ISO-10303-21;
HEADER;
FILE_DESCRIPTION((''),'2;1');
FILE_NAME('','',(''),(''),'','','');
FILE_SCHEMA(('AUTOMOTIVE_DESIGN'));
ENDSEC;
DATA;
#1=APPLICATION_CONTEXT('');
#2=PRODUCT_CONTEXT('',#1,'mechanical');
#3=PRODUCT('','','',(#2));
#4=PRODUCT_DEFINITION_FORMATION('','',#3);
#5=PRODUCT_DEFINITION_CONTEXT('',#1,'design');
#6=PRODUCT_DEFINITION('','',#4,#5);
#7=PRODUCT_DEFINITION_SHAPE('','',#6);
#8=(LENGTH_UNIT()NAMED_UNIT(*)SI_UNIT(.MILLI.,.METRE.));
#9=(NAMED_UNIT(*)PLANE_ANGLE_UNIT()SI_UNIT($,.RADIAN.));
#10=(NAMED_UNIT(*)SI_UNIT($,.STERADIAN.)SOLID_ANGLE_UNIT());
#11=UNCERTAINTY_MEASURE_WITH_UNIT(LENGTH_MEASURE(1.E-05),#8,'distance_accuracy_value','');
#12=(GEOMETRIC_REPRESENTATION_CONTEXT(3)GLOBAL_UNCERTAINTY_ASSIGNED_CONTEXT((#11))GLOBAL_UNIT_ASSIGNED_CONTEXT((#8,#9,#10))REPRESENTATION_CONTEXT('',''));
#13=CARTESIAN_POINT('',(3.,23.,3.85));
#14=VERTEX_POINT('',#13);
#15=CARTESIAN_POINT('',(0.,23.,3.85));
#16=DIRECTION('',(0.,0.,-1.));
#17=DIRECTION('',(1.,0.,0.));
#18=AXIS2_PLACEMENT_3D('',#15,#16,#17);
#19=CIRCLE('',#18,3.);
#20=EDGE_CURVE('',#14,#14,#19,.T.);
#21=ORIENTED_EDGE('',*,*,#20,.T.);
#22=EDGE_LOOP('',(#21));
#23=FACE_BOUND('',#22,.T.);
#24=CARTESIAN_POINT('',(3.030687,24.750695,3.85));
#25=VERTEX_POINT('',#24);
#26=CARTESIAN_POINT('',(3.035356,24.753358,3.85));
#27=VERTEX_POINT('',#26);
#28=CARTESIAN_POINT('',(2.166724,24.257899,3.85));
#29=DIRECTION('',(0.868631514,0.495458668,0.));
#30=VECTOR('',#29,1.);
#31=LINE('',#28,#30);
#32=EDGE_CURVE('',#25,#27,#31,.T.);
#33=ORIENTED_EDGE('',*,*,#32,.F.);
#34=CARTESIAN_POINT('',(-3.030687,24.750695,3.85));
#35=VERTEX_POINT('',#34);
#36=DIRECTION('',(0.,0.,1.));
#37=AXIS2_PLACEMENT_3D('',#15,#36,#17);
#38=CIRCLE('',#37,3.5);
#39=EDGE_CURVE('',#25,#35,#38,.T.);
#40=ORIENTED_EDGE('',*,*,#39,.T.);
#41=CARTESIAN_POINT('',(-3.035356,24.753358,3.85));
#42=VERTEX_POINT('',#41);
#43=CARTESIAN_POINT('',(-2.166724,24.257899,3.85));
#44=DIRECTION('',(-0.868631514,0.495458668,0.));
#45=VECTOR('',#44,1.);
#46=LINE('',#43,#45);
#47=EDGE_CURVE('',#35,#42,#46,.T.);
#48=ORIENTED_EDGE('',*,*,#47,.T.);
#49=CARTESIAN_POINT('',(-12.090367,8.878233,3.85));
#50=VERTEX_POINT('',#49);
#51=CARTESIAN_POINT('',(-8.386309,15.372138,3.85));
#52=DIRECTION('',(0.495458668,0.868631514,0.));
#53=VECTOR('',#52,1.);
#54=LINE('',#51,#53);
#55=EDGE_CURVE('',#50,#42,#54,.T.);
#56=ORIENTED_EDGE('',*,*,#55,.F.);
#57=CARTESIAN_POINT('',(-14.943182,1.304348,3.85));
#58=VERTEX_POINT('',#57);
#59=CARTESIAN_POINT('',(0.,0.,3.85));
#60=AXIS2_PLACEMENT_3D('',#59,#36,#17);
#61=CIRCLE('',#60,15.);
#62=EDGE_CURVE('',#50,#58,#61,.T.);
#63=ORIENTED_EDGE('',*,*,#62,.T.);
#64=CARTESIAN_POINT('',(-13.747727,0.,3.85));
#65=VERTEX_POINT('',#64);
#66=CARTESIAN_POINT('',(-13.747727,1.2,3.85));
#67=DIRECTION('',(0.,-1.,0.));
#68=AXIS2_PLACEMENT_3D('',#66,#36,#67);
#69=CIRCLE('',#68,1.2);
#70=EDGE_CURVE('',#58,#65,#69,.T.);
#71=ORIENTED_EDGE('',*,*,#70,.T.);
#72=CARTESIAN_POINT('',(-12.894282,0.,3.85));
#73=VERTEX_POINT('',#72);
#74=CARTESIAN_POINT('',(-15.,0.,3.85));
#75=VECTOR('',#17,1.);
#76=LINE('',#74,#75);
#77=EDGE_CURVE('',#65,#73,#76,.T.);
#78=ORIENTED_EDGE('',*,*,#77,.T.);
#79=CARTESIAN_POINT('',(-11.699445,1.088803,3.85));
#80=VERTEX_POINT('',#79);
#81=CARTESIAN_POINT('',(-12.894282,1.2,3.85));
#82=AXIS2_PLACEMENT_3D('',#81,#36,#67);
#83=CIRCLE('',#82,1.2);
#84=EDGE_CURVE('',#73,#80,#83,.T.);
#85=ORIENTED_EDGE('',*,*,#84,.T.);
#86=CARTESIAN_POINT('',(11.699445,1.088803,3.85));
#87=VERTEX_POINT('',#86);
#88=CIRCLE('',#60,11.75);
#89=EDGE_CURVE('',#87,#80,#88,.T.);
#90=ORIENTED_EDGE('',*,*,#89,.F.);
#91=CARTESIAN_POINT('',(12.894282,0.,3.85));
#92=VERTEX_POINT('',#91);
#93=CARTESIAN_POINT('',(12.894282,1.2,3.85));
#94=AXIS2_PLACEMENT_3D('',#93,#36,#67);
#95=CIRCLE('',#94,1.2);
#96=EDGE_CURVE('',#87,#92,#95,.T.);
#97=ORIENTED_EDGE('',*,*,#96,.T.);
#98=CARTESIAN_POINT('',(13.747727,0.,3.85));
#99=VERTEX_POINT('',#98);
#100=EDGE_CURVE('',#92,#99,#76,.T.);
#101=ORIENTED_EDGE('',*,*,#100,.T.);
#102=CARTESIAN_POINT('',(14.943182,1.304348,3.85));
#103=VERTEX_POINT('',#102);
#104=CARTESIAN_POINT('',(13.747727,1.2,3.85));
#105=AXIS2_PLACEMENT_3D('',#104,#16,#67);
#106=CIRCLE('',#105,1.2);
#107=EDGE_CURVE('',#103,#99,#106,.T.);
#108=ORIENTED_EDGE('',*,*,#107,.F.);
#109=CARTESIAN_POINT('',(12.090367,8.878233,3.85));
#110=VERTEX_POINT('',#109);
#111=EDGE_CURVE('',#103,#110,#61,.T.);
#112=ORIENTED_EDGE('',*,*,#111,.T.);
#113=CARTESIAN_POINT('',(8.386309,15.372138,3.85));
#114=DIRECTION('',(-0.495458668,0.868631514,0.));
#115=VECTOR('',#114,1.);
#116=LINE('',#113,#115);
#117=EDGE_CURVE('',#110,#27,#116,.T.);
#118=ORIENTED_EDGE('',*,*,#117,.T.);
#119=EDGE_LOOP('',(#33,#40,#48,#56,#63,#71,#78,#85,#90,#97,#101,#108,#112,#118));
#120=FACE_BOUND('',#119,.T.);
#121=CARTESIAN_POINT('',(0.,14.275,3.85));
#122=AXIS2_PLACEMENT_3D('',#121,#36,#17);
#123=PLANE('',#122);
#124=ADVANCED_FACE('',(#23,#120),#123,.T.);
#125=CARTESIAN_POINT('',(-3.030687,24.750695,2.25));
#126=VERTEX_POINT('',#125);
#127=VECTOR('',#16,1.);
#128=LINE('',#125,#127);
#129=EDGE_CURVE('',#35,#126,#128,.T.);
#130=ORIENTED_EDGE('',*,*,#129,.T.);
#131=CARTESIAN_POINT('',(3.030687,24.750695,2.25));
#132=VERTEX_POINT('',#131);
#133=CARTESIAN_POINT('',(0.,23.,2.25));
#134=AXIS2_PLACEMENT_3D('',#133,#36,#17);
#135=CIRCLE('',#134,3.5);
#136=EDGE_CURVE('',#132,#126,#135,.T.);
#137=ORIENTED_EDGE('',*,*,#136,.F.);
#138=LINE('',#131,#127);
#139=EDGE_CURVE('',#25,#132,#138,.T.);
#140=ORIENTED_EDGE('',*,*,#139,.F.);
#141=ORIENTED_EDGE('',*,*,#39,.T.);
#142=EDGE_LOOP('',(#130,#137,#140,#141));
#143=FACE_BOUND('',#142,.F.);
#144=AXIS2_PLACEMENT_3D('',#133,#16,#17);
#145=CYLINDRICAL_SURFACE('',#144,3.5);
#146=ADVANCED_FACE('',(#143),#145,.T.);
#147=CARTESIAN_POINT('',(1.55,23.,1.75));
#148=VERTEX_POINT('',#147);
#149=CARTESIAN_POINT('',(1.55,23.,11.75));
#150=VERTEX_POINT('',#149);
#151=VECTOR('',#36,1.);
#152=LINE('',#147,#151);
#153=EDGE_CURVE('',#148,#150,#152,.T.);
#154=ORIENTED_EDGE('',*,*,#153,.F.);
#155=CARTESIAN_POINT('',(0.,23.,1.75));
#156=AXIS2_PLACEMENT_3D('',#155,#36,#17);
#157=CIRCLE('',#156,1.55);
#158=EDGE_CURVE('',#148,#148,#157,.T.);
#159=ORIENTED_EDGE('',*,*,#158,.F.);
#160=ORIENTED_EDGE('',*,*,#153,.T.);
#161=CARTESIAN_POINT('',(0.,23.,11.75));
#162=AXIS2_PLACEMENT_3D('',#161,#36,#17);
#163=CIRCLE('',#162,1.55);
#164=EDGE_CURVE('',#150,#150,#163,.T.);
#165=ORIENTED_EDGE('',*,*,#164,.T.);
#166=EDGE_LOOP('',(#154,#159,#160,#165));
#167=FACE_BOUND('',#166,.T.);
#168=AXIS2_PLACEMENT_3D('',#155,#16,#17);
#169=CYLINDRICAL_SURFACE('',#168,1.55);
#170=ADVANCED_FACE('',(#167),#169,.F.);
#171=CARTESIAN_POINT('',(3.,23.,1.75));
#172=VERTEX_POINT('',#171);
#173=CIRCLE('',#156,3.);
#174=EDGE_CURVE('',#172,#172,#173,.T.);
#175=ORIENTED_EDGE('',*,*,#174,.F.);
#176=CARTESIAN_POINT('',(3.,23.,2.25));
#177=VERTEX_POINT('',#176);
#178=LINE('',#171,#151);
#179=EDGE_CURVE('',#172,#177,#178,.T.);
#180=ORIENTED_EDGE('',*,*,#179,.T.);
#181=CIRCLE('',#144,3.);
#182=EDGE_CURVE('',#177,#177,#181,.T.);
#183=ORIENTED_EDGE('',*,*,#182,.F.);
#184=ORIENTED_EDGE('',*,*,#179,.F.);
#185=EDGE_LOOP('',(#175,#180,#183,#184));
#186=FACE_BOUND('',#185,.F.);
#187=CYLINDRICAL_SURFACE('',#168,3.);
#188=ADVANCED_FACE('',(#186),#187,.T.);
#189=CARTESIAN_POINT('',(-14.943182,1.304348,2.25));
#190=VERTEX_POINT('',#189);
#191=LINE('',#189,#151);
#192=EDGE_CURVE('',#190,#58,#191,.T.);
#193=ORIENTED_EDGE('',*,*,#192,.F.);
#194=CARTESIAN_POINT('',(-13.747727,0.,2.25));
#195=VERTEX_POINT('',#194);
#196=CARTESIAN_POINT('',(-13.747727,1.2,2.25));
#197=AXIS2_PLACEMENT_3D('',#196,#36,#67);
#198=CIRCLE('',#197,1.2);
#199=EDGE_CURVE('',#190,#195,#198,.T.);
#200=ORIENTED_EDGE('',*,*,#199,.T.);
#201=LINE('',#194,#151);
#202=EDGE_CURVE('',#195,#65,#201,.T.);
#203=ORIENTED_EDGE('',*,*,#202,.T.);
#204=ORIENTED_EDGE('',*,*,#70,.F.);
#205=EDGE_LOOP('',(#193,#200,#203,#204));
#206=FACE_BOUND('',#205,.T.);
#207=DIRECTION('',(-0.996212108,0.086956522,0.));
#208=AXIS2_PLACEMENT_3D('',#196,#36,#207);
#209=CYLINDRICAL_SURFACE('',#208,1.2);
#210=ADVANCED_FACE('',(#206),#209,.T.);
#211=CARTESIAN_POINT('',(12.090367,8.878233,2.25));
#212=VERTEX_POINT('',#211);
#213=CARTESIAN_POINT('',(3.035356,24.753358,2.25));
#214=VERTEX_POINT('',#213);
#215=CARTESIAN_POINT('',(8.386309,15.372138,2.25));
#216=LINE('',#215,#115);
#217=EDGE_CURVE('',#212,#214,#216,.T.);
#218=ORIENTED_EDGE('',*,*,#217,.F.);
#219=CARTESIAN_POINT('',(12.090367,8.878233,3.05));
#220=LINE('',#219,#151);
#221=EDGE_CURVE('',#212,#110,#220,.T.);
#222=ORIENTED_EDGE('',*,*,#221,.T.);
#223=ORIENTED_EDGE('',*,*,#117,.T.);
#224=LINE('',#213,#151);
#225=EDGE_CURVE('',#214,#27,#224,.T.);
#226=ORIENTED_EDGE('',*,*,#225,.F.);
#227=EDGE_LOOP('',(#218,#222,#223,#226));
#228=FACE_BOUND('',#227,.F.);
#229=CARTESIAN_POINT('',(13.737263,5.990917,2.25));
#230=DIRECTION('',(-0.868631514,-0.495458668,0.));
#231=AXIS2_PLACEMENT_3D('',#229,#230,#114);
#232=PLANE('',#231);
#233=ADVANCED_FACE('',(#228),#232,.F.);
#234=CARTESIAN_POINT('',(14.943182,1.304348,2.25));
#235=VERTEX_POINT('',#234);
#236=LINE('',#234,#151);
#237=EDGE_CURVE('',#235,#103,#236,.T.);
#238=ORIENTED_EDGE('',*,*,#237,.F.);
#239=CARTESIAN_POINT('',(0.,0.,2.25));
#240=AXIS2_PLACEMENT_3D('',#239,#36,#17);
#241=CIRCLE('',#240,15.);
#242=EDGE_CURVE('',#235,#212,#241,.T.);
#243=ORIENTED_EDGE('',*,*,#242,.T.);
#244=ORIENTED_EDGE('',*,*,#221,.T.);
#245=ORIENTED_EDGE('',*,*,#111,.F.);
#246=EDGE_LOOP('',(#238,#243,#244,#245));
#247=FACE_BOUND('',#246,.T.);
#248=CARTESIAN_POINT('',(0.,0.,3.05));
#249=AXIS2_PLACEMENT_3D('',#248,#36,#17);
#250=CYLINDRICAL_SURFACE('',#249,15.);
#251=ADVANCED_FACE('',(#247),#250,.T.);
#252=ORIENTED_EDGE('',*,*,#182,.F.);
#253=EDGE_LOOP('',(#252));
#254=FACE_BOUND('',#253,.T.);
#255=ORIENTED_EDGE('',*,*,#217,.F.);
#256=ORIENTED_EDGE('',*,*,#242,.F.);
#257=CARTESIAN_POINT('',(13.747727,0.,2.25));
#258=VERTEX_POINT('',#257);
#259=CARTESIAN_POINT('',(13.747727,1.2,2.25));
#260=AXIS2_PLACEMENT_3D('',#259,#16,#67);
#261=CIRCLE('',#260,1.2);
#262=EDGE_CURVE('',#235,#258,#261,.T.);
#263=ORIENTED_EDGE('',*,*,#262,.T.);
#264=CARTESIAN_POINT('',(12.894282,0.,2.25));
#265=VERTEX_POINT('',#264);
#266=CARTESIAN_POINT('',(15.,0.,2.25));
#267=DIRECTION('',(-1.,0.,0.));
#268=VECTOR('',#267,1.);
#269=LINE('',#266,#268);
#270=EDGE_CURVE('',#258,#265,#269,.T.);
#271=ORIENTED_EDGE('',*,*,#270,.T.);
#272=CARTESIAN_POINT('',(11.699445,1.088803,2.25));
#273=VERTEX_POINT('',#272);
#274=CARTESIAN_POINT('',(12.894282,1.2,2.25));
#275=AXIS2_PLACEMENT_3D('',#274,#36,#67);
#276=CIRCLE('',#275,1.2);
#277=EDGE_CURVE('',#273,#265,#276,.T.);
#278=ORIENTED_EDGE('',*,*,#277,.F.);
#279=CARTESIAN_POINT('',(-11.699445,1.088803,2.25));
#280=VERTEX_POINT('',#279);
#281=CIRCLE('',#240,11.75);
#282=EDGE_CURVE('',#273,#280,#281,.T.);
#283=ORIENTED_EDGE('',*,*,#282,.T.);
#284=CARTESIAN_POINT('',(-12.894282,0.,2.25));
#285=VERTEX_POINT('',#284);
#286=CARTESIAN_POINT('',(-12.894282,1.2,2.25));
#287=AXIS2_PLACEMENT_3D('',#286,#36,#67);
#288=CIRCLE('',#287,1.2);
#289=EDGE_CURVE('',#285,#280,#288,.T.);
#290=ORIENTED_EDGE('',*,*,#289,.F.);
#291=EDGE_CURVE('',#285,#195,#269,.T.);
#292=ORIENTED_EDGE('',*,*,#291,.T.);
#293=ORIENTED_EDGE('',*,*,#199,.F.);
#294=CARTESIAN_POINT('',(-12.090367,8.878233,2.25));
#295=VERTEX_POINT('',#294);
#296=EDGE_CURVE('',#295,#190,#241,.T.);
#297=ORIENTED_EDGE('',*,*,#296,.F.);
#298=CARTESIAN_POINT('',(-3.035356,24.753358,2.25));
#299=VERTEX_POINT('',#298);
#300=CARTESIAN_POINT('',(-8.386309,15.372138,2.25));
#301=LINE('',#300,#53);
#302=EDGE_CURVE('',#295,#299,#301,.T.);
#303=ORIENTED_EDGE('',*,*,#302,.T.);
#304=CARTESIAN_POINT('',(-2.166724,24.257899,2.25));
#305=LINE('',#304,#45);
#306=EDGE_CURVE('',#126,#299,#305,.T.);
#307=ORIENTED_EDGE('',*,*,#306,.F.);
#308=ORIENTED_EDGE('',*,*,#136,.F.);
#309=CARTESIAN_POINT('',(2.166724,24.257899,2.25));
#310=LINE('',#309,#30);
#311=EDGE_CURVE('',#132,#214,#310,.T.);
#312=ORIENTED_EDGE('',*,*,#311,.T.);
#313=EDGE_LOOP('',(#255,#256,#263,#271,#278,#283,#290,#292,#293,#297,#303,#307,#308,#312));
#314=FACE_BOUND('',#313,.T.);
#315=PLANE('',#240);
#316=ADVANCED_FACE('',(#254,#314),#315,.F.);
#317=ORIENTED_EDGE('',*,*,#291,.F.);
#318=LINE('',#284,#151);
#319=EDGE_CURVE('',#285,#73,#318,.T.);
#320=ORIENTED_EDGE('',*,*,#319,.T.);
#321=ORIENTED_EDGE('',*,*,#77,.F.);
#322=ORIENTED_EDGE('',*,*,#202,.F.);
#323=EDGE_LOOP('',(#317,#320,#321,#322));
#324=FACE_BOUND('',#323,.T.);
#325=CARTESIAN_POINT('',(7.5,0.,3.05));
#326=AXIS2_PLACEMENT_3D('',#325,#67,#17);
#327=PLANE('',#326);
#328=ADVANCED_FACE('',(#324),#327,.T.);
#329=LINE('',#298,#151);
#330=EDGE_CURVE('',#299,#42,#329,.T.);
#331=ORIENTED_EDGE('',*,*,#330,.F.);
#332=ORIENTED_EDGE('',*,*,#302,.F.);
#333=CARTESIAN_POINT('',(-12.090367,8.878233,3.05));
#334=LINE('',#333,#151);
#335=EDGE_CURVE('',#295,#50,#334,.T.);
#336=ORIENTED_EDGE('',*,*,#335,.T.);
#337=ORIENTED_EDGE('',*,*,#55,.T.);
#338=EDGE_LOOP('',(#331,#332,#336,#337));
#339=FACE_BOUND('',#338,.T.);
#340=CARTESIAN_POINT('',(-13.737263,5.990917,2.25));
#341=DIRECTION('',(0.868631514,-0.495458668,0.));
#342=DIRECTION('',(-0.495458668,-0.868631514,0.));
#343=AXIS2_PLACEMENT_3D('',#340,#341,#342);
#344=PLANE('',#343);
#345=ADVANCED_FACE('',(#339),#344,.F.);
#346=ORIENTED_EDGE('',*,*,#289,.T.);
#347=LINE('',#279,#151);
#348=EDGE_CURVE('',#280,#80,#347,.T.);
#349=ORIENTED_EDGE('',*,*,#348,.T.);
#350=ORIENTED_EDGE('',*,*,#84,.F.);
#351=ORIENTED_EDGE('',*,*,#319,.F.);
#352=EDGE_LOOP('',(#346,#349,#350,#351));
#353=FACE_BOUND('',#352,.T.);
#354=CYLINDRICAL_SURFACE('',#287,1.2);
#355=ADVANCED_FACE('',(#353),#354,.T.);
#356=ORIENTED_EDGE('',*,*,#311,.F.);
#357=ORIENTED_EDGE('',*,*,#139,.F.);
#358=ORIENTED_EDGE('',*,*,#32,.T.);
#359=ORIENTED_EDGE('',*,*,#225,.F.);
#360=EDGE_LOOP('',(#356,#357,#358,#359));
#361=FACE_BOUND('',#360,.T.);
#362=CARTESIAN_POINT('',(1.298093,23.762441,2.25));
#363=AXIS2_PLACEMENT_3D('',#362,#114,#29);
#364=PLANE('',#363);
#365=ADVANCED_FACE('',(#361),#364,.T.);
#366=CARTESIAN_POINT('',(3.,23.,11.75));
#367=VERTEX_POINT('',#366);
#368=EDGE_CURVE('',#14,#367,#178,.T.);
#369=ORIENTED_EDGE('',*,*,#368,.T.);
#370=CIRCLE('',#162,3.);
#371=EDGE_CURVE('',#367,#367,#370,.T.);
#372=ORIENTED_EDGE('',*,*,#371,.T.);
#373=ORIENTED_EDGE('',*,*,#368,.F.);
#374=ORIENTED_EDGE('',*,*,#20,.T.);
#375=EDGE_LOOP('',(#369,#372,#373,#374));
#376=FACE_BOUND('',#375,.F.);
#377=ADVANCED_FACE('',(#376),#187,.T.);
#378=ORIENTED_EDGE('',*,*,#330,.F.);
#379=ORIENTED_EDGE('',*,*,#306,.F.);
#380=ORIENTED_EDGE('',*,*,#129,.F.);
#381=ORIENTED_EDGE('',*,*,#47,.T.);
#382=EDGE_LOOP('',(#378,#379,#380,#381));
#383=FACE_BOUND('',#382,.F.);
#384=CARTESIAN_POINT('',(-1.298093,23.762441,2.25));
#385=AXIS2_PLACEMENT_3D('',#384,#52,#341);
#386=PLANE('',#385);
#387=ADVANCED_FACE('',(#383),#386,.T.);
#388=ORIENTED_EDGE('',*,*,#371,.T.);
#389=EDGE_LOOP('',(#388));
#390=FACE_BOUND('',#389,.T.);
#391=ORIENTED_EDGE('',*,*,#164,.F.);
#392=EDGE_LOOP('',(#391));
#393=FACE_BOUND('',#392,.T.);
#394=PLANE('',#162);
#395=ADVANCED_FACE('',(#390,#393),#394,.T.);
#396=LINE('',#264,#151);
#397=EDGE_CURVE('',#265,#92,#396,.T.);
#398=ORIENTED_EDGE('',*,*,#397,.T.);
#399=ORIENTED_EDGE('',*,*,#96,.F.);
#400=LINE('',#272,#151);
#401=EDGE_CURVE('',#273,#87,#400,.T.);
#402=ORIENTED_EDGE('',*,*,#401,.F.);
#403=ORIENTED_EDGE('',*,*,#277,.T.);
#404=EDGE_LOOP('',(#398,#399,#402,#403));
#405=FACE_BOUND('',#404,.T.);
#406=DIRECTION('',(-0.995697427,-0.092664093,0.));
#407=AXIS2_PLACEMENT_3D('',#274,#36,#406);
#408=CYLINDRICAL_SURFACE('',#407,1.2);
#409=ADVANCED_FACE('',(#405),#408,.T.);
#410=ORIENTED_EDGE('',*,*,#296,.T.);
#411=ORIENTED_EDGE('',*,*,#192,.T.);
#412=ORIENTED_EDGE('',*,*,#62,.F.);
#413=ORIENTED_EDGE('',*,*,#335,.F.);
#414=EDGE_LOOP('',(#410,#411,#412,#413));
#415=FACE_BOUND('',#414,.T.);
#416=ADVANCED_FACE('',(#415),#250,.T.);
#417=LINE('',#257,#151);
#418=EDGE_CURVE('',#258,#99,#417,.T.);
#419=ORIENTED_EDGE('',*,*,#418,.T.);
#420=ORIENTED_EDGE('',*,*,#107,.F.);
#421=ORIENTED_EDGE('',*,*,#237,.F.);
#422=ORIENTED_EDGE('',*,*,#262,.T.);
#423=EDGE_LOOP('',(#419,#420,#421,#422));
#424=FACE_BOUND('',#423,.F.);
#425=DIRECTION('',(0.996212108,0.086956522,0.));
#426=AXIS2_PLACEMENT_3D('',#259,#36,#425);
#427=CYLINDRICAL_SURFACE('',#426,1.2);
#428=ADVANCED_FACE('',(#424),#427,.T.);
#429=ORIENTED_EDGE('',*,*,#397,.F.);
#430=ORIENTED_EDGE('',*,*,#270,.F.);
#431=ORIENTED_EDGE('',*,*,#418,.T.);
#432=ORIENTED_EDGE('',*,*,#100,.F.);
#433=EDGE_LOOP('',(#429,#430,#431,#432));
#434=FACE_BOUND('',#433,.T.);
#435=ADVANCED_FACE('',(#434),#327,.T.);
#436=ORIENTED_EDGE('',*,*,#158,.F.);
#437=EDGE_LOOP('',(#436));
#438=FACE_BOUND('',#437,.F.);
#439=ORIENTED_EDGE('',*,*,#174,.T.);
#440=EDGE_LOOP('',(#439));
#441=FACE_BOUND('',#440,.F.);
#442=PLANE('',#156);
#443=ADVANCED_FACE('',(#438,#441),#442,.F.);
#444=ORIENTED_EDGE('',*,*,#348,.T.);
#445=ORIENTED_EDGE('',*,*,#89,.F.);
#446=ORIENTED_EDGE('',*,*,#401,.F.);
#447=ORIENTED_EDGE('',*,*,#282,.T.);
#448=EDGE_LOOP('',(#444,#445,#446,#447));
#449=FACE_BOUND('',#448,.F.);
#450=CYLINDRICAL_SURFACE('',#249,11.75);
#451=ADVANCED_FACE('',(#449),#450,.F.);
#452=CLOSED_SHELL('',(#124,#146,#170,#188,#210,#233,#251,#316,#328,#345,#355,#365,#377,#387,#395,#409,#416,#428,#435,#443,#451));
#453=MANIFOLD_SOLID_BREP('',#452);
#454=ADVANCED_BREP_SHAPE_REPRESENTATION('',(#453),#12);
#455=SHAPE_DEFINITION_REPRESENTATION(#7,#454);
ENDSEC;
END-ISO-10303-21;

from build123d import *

# Parameters (mm, degrees)
CYLINDER044_R          = 1.55
CYLINDER044_DEPTH      = 10
CYLINDER042_R          = 3
CYLINDER042_DEPTH      = 10
CYLINDER043_R          = 3.5
CYLINDER043_DEPTH      = 1.6
BOX_W                  = 7
BOX_H                  = 11
BOX_DEPTH              = 1.6
BOX001_W               = 2
BOX001_H               = 21.6
BOX001_DEPTH           = 1.6
BOX001_PLACEMENT_ANGLE = 29.7
BOX002_W               = 2
BOX002_H               = 21.6
BOX002_DEPTH           = 1.6
BOX002_PLACEMENT_ANGLE = 29.7
BOX004_W               = 15
BOX004_H               = 4.55
BOX004_DEPTH           = 1.6
BOX003_W               = 11
BOX003_H               = 4
BOX003_DEPTH           = 1.6
CYLINDER040_W          = 11.75
CYLINDER040_H          = 1.6
CYLINDER040_ANGLE      = 180
CYLINDER039_W          = 15
CYLINDER039_H          = 1.6
CYLINDER039_ANGLE      = 180
FILLET006_R            = 1.2


with BuildPart() as cylinder044:
    # Cylinder044 → Cylinder044 (new body)
    with BuildSketch(Plane(origin=(0, 23, -0.5), x_dir=(1, 0, 0), z_dir=(0, 0, 1))):
        Circle(CYLINDER044_R)
    extrude(amount=CYLINDER044_DEPTH)


with BuildPart() as cylinder042:
    # Cylinder042 → Cylinder042 (new body)
    with BuildSketch(Plane(origin=(0, 23, -0.5), x_dir=(1, 0, 0), z_dir=(0, 0, 1))):
        Circle(CYLINDER042_R)
    extrude(amount=CYLINDER042_DEPTH)


with BuildPart() as cylinder043:
    # Cylinder043 → Cylinder043 (new body)
    with BuildSketch(Plane(origin=(0, 23, 0), x_dir=(1, 0, 0), z_dir=(0, 0, 1))):
        Circle(CYLINDER043_R)
    extrude(amount=CYLINDER043_DEPTH)


with BuildPart() as cube:
    # Box → Box (new body)
    with BuildSketch(Plane(origin=(-3.5, 12, 0), x_dir=(1, 0, 0), z_dir=(0, 0, 1))):
        with Locations((3.5, 5.5)):
            Rectangle(BOX_W, BOX_H)
    extrude(amount=BOX_DEPTH)


with BuildPart() as cube001:
    # Box001 → Box001 (new body)
    with BuildSketch(Plane.XY):
        with Locations((1, 10.8)):
            Rectangle(BOX001_W, BOX001_H)
    extrude(amount=BOX001_DEPTH)


with BuildPart() as cube001_1:
    # Box001 placement: moved
    add(cube001.part.moved(Location((12, 5, 0))).rotate(Axis((12, 5, 0), (0, 0, 1)), BOX001_PLACEMENT_ANGLE))


with BuildPart() as cube002:
    # Box002 → Box002 (new body)
    with BuildSketch(Plane.XY):
        with Locations((1, 10.8)):
            Rectangle(BOX002_W, BOX002_H)
    extrude(amount=BOX002_DEPTH)


with BuildPart() as cube002_1:
    # Box002 placement: moved
    add(cube002.part.moved(Location((12, 5, 0))).rotate(Axis((12, 5, 0), (0, 0, 1)), BOX002_PLACEMENT_ANGLE))


with BuildPart() as part_mirroring:
    # Part__Mirroring: instance of Cube002
    add(cube002_1.part.mirror(Plane(origin=(0, 0, 0), x_dir=(0, -1, 0), z_dir=(1, 0, 0))))


with BuildPart() as cube004:
    # Box004 → Box004 (new body)
    with BuildSketch(Plane(origin=(-7.5, 12, 0), x_dir=(1, 0, 0), z_dir=(0, 0, 1))):
        with Locations((7.5, 2.275)):
            Rectangle(BOX004_W, BOX004_H)
    extrude(amount=BOX004_DEPTH)


with BuildPart() as cube003:
    # Box003 → Box003 (new body)
    with BuildSketch(Plane(origin=(-5.5, 16, 0), x_dir=(1, 0, 0), z_dir=(0, 0, 1))):
        with Locations((5.5, 2)):
            Rectangle(BOX003_W, BOX003_H)
    extrude(amount=BOX003_DEPTH)


with BuildPart() as cylinder040:
    # Cylinder040 → Cylinder040 (revolve)
    with BuildSketch(Plane.XZ):
        with Locations((5.875, 0.8)):
            Rectangle(CYLINDER040_W, CYLINDER040_H)
    revolve(axis=Axis((0, 0, 0), (0, 0, 1)), revolution_arc=CYLINDER040_ANGLE)


with BuildPart() as fillet006:
    # Cylinder039 → Cylinder039 (revolve)
    with BuildSketch(Plane.XZ):
        with Locations((7.5, 0.8)):
            Rectangle(CYLINDER039_W, CYLINDER039_H)
    revolve(axis=Axis((0, 0, 0), (0, 0, 1)), revolution_arc=CYLINDER039_ANGLE)

    # Cut017: cut Cylinder040
    add(cylinder040.part, mode=Mode.SUBTRACT)

    # Fusion012: union Cylinder043, Cube, Cube001, Part__Mirroring, Cube004, Cube003
    add(cylinder043.part)
    add(cube.part)
    add(cube001_1.part)
    add(part_mirroring.part)
    add(cube004.part)
    add(cube003.part)

    # Fusion013: union Cylinder042
    add(cylinder042.part)

    # Cut018: cut Cylinder044
    add(cylinder044.part, mode=Mode.SUBTRACT)

    # Fillet006
    fillet006_edges = [fillet006.edges().sort_by_distance(p)[0] for p in [
        (-15, 0, 0.8),
        (-11.75, 0, 0.8),
        (11.75, 0, 0.8),
        (15, 0, 0.8),
    ]]
    fillet(fillet006_edges, radius=FILLET006_R)


with BuildPart() as fillet006_1:
    # Fillet006 placement: moved
    add(fillet006.part.moved(Location((0, 0, 2.25))))


solid = fillet006_1.part
